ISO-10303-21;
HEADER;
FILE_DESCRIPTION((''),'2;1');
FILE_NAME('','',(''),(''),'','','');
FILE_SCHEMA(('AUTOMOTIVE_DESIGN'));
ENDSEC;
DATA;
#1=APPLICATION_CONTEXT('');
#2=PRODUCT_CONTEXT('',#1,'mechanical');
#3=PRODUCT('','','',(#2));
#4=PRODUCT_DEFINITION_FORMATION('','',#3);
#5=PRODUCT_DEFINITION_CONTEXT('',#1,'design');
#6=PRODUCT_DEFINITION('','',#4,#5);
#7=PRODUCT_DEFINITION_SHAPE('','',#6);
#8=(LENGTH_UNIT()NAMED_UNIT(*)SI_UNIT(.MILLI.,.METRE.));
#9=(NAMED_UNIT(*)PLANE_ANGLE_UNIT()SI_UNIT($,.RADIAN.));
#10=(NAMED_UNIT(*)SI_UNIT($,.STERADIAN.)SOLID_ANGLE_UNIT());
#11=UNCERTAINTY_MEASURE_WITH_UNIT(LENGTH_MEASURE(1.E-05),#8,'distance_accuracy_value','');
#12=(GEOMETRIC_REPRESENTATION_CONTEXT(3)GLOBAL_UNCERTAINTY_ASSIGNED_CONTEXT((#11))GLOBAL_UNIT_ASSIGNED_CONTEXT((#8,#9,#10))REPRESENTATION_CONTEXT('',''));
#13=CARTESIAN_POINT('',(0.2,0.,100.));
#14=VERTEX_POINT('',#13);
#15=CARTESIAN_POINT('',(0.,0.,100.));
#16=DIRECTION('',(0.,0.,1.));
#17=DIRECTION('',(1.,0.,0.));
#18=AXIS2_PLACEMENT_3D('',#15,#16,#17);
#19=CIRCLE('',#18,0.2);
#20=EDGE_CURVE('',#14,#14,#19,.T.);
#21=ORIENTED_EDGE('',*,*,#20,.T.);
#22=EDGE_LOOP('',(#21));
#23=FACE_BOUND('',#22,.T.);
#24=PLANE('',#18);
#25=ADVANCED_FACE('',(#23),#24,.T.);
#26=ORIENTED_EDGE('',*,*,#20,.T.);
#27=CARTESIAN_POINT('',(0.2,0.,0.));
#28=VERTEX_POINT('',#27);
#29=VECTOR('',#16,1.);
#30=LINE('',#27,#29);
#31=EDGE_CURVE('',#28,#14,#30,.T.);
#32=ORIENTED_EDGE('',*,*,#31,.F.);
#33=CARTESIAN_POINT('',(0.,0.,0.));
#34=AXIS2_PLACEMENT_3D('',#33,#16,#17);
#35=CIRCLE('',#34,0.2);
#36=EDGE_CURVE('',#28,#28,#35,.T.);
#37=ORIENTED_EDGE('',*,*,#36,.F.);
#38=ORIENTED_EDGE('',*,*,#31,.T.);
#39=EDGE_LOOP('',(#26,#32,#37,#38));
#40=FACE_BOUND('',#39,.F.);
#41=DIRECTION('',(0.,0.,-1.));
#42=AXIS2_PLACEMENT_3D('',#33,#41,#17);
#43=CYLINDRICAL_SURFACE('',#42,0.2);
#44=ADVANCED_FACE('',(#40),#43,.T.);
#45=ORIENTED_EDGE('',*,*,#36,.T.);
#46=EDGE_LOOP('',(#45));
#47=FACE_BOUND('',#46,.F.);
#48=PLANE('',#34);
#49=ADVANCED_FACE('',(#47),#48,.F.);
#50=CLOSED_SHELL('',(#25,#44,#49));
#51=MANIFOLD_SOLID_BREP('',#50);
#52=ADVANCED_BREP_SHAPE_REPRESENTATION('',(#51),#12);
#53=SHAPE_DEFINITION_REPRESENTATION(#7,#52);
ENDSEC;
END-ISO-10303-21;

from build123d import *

# Parameters (mm, degrees)
SKETCH_R  = 0.2
PAD_DEPTH = 100


with BuildPart() as part:
    # Sketch → Pad (new body)
    with BuildSketch(Plane.XY):
        Circle(SKETCH_R)
    extrude(amount=PAD_DEPTH)


solid = part.part
